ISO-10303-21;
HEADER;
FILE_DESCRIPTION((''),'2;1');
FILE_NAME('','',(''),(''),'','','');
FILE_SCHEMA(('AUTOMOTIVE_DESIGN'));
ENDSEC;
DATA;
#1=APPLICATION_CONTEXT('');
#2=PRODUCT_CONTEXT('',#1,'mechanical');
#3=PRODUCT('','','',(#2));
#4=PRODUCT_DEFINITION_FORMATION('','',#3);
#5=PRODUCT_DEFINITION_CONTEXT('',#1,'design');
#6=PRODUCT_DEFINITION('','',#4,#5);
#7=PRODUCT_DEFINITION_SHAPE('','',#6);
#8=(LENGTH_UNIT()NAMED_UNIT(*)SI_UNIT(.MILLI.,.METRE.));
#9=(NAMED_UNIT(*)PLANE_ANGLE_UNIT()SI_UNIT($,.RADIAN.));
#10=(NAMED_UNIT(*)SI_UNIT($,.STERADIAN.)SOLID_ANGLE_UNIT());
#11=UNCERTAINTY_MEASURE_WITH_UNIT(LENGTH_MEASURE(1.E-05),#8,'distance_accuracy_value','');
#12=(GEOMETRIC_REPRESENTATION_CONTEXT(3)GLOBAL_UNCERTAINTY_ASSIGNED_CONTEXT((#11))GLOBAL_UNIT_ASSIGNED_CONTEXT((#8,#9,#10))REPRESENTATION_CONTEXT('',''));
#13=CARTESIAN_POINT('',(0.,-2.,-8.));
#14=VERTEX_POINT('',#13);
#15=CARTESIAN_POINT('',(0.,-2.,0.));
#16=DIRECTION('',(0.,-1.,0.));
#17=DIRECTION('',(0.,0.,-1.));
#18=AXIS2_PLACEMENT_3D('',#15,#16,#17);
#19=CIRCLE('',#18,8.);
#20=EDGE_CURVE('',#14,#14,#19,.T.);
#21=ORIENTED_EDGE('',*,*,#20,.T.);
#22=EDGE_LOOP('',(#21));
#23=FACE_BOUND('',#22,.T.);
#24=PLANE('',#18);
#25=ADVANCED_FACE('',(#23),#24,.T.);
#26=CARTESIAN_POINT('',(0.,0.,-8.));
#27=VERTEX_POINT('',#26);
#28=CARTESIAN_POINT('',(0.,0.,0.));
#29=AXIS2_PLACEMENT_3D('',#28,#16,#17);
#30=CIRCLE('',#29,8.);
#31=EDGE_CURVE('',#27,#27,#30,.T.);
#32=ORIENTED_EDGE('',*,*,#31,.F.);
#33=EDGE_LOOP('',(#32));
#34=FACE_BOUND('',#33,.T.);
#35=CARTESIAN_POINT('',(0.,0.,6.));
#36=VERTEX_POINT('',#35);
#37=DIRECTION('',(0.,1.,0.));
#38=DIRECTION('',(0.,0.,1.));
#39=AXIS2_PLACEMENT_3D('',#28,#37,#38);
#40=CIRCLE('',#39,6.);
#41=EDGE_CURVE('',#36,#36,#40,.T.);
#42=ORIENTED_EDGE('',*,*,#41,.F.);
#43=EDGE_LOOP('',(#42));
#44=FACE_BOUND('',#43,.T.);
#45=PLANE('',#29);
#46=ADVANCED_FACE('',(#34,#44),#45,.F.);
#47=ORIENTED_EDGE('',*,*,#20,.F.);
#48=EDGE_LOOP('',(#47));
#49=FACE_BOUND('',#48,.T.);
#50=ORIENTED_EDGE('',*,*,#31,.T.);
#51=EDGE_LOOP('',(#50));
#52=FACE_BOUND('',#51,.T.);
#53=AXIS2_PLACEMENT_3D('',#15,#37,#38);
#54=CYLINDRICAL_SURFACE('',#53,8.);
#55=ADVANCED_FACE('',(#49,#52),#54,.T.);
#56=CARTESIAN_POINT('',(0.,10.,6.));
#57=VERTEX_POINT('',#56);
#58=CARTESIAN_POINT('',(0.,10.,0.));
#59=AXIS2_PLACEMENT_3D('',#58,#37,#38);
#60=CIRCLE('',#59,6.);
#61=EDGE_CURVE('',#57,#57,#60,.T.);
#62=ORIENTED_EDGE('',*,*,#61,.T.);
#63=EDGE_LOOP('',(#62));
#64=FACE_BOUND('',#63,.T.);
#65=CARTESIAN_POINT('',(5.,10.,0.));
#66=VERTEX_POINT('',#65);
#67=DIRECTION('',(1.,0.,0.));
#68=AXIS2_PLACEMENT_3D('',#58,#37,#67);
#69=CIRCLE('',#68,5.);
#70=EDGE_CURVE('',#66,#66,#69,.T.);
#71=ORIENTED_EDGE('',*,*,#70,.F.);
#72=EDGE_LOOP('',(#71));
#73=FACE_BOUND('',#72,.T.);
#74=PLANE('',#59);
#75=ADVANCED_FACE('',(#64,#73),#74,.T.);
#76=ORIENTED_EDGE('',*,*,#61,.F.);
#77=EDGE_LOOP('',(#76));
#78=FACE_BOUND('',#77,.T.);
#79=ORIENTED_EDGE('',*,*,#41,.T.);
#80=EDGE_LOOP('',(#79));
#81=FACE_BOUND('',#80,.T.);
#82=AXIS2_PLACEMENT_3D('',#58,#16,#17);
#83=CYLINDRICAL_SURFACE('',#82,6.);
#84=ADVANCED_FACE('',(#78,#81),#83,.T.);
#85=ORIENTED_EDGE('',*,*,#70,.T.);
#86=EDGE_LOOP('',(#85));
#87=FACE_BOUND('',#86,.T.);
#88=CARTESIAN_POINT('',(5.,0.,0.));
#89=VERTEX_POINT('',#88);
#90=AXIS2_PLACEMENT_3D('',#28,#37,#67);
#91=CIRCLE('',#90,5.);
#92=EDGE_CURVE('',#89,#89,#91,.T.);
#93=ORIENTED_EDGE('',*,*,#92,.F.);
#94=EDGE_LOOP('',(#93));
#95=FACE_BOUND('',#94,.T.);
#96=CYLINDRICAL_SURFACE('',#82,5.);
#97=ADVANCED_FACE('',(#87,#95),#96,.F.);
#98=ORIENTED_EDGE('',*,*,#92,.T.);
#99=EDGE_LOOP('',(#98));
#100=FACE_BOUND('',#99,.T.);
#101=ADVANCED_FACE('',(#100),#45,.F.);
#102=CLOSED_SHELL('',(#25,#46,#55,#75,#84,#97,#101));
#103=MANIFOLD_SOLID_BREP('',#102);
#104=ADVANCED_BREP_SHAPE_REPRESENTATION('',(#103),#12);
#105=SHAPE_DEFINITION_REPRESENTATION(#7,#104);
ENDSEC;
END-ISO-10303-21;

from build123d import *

# Parameters (mm, degrees)
ESQUISSE1_R    = 6
ESQUISSE1_R_2  = 5
CYLINDRE_DEPTH = 10
ESQUISSE2_R    = 8
BASE_DEPTH     = 2


with BuildPart() as part:
    # Esquisse1 → Cylindre (new body)
    with BuildSketch(Plane(origin=(0, 0, 0), x_dir=(1, 0, 0), z_dir=(0, 1, 0))):
        Circle(ESQUISSE1_R)
        Circle(ESQUISSE1_R_2, mode=Mode.SUBTRACT)
    extrude(amount=CYLINDRE_DEPTH)

    # Esquisse2 → Base (add)
    with BuildSketch(Plane.XZ):
        with Locations(Location((0, 0, 0), (0, 0, 270))):
            Circle(ESQUISSE2_R)
    extrude(amount=BASE_DEPTH)


solid = part.part
